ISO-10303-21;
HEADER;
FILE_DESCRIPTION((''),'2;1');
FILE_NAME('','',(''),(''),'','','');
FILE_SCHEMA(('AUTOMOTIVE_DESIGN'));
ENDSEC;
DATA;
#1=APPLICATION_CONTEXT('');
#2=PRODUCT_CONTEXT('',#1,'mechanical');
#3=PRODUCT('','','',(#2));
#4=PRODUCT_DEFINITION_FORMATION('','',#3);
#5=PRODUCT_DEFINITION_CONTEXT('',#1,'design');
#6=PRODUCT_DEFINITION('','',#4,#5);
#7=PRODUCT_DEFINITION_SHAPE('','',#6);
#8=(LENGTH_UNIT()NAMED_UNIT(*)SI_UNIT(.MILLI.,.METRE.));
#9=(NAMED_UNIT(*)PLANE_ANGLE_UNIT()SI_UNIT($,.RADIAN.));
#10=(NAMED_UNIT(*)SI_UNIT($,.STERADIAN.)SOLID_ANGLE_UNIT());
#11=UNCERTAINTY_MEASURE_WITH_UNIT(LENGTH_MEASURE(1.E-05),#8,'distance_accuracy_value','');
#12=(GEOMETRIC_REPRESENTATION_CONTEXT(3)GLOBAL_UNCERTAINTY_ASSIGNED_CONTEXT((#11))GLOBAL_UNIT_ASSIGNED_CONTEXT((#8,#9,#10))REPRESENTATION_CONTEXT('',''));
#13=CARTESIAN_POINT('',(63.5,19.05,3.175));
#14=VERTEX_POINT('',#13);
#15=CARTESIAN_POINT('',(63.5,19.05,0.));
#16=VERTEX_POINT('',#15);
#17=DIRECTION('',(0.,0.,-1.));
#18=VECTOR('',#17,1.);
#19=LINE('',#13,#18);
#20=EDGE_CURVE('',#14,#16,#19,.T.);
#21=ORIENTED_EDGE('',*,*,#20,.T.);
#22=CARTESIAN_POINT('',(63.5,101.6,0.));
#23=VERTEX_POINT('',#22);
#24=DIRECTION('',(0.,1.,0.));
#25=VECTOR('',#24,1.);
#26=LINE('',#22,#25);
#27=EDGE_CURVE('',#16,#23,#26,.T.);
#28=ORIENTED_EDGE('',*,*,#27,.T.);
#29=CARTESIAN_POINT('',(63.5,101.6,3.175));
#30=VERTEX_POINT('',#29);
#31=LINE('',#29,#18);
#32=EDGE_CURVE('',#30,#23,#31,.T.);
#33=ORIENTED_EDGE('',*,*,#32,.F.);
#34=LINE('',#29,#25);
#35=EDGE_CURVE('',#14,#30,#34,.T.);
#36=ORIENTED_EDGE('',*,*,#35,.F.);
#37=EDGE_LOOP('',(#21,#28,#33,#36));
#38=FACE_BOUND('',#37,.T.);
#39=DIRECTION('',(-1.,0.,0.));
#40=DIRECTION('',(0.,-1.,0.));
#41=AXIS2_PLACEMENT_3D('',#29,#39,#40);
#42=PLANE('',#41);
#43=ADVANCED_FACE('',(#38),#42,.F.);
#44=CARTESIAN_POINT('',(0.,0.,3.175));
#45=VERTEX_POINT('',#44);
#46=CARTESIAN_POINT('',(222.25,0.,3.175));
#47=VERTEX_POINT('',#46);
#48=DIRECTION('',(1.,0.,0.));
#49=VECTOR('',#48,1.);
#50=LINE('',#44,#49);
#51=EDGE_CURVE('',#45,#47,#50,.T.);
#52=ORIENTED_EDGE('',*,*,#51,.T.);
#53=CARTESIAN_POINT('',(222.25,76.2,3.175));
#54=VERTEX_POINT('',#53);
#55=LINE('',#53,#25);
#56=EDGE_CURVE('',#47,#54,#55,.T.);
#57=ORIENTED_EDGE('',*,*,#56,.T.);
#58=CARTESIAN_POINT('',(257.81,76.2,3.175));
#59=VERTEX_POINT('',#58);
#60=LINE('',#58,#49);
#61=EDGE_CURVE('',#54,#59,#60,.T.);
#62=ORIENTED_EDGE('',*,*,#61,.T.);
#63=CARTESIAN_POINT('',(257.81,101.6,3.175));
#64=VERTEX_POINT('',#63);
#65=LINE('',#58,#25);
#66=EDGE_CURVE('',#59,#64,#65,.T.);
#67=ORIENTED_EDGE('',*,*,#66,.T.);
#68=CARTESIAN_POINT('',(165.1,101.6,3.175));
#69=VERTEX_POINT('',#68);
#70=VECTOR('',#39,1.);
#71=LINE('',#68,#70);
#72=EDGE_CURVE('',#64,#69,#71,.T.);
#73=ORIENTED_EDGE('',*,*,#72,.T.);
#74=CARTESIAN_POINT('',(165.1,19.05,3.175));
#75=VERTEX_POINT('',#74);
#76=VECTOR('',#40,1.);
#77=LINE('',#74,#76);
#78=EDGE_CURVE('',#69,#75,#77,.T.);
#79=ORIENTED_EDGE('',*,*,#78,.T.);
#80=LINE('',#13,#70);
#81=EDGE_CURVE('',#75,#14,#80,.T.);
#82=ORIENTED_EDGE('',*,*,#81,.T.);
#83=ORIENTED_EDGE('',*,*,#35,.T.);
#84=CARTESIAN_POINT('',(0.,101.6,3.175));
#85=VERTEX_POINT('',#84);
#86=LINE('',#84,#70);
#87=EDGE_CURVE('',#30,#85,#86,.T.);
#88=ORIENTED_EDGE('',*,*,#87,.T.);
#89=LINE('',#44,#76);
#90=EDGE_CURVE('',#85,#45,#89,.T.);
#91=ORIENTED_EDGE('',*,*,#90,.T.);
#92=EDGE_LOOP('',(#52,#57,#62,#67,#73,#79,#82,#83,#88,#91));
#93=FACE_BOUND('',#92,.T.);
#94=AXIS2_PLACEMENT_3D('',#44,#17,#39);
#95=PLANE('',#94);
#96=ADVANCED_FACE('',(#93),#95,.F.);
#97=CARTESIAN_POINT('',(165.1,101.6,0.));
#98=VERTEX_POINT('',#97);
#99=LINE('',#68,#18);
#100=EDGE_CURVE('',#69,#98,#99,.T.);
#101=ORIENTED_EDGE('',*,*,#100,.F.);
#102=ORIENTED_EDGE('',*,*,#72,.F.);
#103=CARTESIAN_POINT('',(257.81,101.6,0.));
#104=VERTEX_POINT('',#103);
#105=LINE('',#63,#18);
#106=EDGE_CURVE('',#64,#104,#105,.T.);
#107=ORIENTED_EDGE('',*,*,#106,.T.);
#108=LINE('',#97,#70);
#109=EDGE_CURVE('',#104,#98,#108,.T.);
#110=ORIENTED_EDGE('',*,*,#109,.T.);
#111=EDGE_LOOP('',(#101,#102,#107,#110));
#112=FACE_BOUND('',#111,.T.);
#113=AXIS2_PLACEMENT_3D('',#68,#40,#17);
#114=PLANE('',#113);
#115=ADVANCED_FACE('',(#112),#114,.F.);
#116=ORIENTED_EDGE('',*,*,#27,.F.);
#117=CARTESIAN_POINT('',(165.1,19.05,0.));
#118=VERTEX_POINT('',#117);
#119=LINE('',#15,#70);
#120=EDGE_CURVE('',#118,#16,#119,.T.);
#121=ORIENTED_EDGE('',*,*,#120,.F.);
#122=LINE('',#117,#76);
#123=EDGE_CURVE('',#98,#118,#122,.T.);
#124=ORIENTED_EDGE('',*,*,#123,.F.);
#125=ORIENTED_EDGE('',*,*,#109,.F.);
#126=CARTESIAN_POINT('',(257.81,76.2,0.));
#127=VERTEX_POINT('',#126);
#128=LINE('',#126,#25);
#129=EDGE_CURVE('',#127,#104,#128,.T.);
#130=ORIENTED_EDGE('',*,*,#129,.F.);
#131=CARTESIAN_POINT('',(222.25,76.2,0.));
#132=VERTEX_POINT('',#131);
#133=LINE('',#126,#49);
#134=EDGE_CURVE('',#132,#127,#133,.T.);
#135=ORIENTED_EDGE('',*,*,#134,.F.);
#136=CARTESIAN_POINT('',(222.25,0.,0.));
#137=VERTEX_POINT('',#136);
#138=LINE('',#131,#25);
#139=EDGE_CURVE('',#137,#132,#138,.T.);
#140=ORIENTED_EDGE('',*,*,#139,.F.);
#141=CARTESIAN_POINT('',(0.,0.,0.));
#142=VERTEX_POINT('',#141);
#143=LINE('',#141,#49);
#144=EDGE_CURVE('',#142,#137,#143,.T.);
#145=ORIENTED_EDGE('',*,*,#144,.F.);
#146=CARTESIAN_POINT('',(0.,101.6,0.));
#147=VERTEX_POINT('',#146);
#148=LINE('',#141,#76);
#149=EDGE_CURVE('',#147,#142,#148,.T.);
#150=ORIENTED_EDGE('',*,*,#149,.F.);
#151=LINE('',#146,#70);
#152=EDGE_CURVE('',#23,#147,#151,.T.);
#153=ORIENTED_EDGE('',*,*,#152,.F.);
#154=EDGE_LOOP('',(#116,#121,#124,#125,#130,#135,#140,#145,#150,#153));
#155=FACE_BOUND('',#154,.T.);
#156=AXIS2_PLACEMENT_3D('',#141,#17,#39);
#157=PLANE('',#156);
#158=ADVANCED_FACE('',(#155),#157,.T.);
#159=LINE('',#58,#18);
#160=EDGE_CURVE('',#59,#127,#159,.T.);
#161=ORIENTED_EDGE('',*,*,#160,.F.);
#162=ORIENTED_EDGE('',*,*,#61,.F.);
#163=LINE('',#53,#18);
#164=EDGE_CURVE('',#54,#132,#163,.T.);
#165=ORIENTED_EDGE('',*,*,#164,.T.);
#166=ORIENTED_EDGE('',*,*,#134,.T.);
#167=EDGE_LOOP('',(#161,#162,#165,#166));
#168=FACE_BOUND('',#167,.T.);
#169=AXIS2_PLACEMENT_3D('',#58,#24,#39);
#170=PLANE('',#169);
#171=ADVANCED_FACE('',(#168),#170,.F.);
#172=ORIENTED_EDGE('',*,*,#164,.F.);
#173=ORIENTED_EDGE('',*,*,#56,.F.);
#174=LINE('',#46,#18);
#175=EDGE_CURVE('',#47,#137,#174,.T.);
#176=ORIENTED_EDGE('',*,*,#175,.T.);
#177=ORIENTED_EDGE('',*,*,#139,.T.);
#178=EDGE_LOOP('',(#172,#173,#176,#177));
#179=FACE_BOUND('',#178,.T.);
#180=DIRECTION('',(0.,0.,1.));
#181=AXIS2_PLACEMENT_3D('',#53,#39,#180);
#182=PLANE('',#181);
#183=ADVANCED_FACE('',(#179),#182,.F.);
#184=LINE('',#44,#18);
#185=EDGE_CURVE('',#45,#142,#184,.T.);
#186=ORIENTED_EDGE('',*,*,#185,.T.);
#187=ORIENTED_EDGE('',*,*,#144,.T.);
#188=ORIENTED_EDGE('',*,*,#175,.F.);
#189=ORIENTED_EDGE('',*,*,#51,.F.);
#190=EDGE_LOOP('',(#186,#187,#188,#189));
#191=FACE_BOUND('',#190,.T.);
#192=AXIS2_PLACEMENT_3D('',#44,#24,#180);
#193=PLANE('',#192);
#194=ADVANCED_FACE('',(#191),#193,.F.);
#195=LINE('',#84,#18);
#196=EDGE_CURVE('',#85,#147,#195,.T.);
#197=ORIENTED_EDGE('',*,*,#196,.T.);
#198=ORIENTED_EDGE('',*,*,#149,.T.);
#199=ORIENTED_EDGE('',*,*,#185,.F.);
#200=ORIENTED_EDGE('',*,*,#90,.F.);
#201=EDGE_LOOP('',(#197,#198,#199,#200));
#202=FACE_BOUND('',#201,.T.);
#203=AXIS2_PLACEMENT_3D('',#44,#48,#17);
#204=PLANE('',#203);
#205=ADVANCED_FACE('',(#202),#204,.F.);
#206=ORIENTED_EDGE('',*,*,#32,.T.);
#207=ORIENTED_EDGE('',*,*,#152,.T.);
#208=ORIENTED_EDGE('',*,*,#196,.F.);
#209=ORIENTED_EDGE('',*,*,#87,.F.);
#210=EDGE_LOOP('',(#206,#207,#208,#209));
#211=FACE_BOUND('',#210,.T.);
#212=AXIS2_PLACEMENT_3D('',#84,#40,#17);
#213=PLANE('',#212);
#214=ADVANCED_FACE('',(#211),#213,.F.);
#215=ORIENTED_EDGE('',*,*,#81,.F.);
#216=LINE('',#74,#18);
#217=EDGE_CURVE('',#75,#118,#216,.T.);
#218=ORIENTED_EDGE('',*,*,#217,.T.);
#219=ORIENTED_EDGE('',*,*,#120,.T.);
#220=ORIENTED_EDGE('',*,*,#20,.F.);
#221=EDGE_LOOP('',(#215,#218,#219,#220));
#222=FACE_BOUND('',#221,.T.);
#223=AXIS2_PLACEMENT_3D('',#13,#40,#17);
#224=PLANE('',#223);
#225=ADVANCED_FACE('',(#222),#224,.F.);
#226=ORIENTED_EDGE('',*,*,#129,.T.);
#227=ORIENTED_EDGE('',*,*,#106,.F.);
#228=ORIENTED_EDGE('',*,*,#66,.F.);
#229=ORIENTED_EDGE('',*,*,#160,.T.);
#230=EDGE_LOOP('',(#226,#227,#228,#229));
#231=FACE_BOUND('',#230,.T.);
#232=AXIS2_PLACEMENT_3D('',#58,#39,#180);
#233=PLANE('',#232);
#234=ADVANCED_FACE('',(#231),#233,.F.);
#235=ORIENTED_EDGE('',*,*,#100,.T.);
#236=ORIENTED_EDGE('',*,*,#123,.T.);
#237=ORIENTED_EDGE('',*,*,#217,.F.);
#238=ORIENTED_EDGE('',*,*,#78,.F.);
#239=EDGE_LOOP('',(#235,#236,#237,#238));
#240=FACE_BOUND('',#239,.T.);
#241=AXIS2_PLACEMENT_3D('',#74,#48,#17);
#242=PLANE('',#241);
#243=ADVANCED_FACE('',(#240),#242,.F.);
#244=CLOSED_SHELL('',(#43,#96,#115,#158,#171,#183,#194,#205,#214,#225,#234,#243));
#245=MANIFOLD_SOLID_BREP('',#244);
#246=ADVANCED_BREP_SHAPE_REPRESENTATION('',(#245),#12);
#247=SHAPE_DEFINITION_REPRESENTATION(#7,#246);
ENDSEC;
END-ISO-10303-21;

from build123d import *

# Parameters (mm, degrees)
BOSS_EXTRUDE1_DEPTH = 3.175


with BuildPart() as part:
    # Sketch1 → Boss-Extrude1 (new body)
    with BuildSketch(Plane.XY):
        Polygon((257.81, 76.2), (222.25, 76.2), (222.25, 0), (0, 0), (0, 101.6), (63.5, 101.6), (63.5, 19.05), (165.1, 19.05), (165.1, 101.6), (257.81, 101.6), align=None)
    extrude(amount=BOSS_EXTRUDE1_DEPTH)


solid = part.part
